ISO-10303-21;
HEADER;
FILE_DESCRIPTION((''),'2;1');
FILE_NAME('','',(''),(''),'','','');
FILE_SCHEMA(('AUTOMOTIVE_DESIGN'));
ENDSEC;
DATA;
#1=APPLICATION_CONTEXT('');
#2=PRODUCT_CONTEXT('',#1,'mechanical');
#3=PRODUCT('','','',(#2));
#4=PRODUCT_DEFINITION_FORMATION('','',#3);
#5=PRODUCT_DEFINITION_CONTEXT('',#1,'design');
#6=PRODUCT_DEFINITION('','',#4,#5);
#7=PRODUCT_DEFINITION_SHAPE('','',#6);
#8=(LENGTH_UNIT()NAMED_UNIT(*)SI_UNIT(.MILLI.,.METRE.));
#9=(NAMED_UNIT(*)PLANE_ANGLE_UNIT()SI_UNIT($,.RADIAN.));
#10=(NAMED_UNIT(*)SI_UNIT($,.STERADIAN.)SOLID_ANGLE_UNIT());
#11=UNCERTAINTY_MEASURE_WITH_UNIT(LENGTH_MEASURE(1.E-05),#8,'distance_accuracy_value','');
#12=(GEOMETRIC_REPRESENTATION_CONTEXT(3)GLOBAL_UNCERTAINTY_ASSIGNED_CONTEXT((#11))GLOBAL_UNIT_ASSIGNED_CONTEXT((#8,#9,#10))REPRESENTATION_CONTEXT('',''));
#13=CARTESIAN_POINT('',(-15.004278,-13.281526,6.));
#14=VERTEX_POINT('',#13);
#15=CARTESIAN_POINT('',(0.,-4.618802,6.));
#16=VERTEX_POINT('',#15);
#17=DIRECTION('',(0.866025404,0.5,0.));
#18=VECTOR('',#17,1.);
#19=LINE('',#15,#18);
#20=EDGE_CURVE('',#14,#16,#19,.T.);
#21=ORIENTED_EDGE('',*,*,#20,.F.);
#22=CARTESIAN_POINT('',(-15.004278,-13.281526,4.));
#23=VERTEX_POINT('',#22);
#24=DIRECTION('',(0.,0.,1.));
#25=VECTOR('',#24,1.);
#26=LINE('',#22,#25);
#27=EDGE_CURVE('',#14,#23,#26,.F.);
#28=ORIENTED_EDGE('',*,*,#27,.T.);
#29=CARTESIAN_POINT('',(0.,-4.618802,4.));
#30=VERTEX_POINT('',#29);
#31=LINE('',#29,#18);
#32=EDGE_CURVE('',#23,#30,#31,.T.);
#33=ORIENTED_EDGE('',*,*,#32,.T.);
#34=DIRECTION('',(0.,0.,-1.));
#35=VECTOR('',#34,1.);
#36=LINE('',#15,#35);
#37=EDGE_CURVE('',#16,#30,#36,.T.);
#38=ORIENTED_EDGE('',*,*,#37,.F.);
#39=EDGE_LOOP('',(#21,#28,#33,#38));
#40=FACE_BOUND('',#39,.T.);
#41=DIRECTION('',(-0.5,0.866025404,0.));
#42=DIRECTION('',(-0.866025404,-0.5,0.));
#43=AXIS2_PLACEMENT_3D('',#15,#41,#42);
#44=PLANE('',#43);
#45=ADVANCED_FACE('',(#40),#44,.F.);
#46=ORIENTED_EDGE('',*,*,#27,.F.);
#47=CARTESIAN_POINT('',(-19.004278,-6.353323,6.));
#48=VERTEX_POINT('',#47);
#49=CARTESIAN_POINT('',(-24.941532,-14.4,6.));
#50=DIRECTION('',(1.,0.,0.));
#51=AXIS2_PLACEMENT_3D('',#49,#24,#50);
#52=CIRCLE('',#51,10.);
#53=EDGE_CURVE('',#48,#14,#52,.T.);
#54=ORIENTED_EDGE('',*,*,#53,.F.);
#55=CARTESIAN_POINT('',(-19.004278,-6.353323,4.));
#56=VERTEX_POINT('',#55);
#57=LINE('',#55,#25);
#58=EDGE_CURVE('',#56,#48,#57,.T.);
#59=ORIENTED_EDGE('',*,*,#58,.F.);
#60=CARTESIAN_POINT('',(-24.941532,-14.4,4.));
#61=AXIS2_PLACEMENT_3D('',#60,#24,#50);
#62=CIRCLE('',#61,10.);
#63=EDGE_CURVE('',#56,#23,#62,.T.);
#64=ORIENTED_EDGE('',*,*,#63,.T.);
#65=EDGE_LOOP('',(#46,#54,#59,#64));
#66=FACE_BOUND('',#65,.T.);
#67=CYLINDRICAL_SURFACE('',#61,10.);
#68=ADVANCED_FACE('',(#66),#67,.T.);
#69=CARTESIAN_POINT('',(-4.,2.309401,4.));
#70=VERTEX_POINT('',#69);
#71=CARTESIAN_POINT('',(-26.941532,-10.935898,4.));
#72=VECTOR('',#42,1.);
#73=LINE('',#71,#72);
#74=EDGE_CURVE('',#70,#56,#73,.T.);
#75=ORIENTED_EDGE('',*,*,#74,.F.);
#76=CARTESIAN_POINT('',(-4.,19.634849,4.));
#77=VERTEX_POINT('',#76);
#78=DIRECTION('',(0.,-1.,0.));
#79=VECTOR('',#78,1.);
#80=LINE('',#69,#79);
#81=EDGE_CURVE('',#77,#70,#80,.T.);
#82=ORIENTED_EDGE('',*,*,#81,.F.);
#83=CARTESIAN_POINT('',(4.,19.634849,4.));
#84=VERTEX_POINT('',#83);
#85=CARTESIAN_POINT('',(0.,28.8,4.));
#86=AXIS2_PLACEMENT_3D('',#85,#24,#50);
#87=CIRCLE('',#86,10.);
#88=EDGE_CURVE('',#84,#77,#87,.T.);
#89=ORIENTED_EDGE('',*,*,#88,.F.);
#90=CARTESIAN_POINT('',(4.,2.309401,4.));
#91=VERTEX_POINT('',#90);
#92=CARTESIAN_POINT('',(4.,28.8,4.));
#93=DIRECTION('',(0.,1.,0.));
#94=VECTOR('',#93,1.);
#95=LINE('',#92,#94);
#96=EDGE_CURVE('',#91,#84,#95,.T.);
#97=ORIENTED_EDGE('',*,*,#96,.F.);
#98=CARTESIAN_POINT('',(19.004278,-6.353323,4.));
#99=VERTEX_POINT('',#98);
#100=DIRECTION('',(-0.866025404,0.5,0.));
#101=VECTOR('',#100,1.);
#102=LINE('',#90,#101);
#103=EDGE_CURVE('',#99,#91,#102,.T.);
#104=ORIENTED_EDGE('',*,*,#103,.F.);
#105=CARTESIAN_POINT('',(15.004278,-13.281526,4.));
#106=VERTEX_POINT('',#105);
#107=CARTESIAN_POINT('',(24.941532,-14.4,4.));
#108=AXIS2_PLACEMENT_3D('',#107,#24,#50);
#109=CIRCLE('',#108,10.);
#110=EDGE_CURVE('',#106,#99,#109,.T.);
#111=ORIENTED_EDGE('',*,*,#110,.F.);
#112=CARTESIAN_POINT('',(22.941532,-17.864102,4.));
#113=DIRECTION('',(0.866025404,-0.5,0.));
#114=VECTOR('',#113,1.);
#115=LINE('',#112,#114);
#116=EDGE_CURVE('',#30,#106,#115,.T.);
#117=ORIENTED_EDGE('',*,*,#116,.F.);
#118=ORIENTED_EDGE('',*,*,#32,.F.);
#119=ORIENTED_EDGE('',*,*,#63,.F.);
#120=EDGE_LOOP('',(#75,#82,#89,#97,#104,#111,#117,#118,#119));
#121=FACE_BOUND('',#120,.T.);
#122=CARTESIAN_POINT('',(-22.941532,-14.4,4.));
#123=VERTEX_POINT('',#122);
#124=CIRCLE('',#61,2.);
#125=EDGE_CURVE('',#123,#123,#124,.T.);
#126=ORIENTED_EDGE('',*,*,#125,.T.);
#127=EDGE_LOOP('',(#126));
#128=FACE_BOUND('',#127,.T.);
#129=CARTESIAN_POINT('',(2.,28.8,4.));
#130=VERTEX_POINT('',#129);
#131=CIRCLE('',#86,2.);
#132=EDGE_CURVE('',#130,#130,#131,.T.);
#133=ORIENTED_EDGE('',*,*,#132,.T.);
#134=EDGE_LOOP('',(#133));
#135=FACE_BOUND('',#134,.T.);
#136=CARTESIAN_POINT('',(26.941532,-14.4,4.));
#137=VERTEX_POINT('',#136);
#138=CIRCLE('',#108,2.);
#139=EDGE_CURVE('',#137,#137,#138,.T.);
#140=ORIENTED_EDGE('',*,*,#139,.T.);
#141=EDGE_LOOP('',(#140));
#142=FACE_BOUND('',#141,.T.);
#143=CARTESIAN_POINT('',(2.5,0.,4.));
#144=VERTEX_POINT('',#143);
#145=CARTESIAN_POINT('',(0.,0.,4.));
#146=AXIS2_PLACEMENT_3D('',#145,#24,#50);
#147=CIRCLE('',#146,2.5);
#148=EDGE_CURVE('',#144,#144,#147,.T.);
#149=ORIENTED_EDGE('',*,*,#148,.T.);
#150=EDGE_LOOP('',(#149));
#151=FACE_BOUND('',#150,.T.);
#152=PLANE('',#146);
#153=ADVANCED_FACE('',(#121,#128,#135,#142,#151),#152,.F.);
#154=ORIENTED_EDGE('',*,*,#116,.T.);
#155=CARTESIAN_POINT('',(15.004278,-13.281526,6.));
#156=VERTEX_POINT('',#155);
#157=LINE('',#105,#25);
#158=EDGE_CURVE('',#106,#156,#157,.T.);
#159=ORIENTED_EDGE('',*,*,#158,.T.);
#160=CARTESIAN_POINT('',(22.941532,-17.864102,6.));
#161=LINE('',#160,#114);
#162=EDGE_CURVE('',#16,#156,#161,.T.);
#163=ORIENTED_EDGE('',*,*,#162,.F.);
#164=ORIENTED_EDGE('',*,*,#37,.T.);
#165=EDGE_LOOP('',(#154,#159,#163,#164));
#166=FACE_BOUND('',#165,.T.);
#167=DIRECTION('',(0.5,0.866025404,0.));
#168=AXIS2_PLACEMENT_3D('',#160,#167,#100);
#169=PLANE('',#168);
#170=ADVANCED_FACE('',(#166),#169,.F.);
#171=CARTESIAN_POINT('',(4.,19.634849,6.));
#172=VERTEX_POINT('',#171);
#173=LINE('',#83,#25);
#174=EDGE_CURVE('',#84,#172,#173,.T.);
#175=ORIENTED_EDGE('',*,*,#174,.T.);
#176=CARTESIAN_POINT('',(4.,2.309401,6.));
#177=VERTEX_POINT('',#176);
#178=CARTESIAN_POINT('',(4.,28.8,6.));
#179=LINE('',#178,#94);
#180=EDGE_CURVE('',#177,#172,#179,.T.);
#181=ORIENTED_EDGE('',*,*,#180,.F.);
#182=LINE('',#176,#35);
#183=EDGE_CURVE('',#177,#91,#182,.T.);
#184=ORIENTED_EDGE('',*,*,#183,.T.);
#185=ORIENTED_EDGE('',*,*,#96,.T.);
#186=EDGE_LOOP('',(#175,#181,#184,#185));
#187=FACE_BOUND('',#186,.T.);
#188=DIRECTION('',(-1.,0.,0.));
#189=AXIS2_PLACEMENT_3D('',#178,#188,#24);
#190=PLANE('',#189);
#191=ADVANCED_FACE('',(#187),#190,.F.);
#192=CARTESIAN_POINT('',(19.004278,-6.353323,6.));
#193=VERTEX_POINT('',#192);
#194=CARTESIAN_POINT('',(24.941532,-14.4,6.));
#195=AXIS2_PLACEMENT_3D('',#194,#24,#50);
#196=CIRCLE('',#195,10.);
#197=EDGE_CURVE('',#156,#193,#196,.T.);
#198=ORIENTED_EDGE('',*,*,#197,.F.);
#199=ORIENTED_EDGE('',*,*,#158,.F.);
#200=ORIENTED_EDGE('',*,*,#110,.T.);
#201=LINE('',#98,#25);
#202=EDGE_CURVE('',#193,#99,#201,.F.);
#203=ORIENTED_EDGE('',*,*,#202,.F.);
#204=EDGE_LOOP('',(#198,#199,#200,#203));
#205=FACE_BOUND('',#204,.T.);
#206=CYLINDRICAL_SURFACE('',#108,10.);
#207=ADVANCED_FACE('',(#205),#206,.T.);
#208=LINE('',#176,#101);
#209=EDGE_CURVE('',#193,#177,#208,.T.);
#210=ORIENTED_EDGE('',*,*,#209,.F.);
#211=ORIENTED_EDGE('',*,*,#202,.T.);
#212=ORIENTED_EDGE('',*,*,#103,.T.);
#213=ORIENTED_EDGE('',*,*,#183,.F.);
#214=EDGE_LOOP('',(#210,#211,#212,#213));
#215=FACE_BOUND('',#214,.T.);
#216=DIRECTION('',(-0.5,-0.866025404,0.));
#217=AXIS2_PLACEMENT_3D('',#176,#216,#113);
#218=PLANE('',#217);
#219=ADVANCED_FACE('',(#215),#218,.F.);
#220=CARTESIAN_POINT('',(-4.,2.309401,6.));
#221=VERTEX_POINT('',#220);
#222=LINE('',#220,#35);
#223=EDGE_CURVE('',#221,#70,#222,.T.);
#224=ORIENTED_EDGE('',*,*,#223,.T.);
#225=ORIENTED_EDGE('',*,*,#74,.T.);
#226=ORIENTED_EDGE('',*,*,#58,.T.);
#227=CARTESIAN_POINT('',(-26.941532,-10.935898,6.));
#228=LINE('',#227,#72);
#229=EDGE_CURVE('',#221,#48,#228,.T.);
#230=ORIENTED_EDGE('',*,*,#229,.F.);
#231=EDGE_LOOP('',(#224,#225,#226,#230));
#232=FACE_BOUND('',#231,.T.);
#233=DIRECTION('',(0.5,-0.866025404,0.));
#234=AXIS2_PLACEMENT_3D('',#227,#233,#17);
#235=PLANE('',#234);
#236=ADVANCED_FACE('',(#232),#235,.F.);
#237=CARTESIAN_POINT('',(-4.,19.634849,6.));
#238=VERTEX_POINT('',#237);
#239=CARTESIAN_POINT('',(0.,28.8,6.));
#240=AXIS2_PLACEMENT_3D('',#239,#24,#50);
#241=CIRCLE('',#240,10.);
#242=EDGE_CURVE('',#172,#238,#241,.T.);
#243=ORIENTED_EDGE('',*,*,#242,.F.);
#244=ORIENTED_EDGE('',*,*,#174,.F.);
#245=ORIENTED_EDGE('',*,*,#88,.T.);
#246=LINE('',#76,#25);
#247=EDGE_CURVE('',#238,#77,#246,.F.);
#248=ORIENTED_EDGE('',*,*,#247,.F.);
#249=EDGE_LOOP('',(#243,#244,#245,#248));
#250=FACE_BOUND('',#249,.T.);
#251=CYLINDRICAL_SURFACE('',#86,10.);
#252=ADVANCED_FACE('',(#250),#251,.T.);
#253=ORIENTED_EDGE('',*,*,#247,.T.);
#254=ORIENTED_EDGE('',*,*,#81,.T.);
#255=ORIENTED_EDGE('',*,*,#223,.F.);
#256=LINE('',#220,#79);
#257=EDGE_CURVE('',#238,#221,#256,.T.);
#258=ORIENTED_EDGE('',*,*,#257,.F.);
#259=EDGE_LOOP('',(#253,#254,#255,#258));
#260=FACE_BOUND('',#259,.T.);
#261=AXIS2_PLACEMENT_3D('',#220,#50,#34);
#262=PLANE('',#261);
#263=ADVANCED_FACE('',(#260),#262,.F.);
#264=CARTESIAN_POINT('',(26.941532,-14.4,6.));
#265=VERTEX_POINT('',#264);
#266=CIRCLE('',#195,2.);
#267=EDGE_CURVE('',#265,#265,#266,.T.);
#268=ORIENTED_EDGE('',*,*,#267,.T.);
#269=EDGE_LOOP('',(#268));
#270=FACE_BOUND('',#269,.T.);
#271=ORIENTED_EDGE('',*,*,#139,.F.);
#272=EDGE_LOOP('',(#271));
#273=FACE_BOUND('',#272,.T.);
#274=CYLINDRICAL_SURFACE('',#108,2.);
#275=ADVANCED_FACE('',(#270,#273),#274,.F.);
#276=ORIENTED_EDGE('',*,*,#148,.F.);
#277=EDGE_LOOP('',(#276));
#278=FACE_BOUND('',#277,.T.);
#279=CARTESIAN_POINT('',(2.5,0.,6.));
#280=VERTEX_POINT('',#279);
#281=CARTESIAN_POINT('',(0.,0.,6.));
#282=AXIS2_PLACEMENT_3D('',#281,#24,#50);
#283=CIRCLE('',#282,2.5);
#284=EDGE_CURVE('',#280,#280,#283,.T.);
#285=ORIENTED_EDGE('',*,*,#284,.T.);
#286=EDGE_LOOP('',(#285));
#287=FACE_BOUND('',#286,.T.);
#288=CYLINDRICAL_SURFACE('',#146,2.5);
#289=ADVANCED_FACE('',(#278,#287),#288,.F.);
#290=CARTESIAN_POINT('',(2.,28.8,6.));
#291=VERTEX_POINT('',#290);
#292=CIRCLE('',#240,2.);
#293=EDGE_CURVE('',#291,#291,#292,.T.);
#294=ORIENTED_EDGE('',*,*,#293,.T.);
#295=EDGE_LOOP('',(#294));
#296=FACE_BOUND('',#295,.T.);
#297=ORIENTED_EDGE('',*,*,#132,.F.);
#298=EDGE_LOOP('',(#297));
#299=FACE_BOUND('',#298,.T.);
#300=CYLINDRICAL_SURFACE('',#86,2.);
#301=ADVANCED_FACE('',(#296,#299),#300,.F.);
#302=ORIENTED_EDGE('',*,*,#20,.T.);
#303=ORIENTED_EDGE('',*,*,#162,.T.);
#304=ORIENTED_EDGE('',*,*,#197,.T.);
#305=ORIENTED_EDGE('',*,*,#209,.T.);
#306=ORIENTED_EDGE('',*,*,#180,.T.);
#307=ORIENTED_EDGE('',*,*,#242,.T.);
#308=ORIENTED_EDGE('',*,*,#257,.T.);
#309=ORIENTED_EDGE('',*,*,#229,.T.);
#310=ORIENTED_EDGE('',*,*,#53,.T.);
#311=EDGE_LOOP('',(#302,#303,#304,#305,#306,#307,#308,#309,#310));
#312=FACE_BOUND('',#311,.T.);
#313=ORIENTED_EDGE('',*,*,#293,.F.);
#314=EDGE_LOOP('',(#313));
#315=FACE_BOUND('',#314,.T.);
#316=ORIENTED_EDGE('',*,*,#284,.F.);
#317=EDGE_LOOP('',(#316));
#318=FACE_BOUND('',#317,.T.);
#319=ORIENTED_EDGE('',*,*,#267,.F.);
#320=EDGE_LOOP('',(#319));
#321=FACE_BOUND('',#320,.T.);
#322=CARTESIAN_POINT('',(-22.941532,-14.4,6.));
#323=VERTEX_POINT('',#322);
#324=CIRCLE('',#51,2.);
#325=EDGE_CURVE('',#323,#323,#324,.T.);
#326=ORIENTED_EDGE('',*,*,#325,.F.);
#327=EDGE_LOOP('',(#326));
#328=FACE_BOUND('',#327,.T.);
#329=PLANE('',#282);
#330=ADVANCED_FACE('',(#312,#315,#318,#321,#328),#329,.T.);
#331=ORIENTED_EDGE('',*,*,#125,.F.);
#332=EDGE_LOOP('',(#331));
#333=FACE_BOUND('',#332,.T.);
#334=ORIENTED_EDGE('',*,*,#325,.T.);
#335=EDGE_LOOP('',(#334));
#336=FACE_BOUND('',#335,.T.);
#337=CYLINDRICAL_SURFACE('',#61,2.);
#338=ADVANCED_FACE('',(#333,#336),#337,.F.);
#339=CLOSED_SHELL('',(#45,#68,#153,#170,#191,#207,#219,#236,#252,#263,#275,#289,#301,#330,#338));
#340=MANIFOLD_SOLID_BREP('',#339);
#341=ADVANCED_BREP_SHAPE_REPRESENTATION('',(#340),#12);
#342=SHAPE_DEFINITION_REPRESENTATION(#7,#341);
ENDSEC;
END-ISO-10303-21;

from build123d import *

# Parameters (mm, degrees)
BOSS_EXTRUDE2_DEPTH = 10
SKETCH3_R           = 50
BOSS_EXTRUDE3_DEPTH = 10
SKETCH4_R           = 10
BOSS_EXTRUDE4_DEPTH = 90
CUT_EXTRUDE1_START  = -30
SKETCH5_R           = 10
CUT_EXTRUDE1_DEPTH  = 30
SKETCH6_R           = 13
CUT_EXTRUDE2_DEPTH  = 10
SKETCH7_R           = 10
BOSS_EXTRUDE5_DEPTH = 30
SKETCH8_R           = 20.369169003
BOSS_EXTRUDE6_DEPTH = 10
CUT_EXTRUDE3_START  = -100
SKETCH9_R           = 10
CUT_EXTRUDE3_DEPTH  = 100
SKETCH10_R          = 10
CUT_EXTRUDE4_DEPTH  = 10
SKETCH11_R          = 12.5
CUT_EXTRUDE5_DEPTH  = 10
SCALE1_SCALE        = 0.2


with BuildPart() as part:
    # Sketch1 → Boss-Extrude2 (new body)
    with BuildSketch(Plane.XY):
        Polygon((20, 144), (-20, 144), (-20, 11.547005384), (-134.707658145, -54.679491924), (-114.707658145, -89.320508076), (0, -23.094010768), (114.707658145, -89.320508076), (134.707658145, -54.679491924), (20, 11.547005384), align=None)
    extrude(amount=BOSS_EXTRUDE2_DEPTH)

    # Sketch3 → Boss-Extrude3 (add)
    with BuildSketch(Plane.XY.offset(10)):
        with Locations((-124.707658145, -72)):
            Circle(SKETCH3_R)
        with Locations((0, 144)):
            Circle(SKETCH3_R)
        with Locations((124.707658145, -72)):
            Circle(SKETCH3_R)
    extrude(amount=-BOSS_EXTRUDE3_DEPTH)

    # Sketch4 → Boss-Extrude4 (add)
    with BuildSketch(Plane.XY.offset(10)):
        with Locations(Location((0, 144, 0), (0, 0, 180))):
            Circle(SKETCH4_R)
        with Locations(Location((124.707658145, -72, 0), (0, 0, 180))):
            Circle(SKETCH4_R)
        with Locations(Location((-124.707658145, -72, 0), (0, 0, 180))):
            Circle(SKETCH4_R)
    extrude(amount=BOSS_EXTRUDE4_DEPTH)

    # Sketch5 → Cut-Extrude1 (cut)
    with BuildSketch(Plane.XY.offset(100).offset(CUT_EXTRUDE1_START)):
        with Locations(Location((0, 144, 0), (0, 0, 180))):
            Circle(SKETCH5_R)
    extrude(amount=CUT_EXTRUDE1_DEPTH, mode=Mode.SUBTRACT)

    # Sketch6 → Cut-Extrude2 (cut)
    with BuildSketch(Plane.XY.offset(10)):
        Circle(SKETCH6_R)
    extrude(amount=-CUT_EXTRUDE2_DEPTH, mode=Mode.SUBTRACT)

    # Sketch7 → Boss-Extrude5 (add)
    with BuildSketch(Plane.XY.offset(70)):
        with Locations(Location((0, 144, 0), (0, 0, 180))):
            Circle(SKETCH7_R)
    extrude(amount=BOSS_EXTRUDE5_DEPTH)

    # Sketch8 → Boss-Extrude6 (add)
    with BuildSketch(Plane.XY.offset(10)):
        Circle(SKETCH8_R)
    extrude(amount=-BOSS_EXTRUDE6_DEPTH)

    # Sketch9 → Cut-Extrude3 (cut)
    with BuildSketch(Plane.XY.offset(100).offset(CUT_EXTRUDE3_START)):
        with Locations((-124.707658145, -72)):
            Circle(SKETCH9_R)
        with Locations((0, 144)):
            Circle(SKETCH9_R)
        with Locations((124.707658145, -72)):
            Circle(SKETCH9_R)
    extrude(amount=CUT_EXTRUDE3_DEPTH, mode=Mode.SUBTRACT)

    # Sketch10 → Cut-Extrude4 (cut)
    with BuildSketch(Plane.XY.offset(10)):
        Circle(SKETCH10_R)
    extrude(amount=-CUT_EXTRUDE4_DEPTH, mode=Mode.SUBTRACT)

    # Sketch11 → Cut-Extrude5 (cut)
    with BuildSketch(Plane.XY.offset(10)):
        Circle(SKETCH11_R)
    extrude(amount=-CUT_EXTRUDE5_DEPTH, mode=Mode.SUBTRACT)


with BuildPart() as part_1:
    # Scale1: scaled about (0, 0, 5)
    add(part.part.scale(SCALE1_SCALE).moved(Location((0, 0, 4))))


solid = part_1.part
